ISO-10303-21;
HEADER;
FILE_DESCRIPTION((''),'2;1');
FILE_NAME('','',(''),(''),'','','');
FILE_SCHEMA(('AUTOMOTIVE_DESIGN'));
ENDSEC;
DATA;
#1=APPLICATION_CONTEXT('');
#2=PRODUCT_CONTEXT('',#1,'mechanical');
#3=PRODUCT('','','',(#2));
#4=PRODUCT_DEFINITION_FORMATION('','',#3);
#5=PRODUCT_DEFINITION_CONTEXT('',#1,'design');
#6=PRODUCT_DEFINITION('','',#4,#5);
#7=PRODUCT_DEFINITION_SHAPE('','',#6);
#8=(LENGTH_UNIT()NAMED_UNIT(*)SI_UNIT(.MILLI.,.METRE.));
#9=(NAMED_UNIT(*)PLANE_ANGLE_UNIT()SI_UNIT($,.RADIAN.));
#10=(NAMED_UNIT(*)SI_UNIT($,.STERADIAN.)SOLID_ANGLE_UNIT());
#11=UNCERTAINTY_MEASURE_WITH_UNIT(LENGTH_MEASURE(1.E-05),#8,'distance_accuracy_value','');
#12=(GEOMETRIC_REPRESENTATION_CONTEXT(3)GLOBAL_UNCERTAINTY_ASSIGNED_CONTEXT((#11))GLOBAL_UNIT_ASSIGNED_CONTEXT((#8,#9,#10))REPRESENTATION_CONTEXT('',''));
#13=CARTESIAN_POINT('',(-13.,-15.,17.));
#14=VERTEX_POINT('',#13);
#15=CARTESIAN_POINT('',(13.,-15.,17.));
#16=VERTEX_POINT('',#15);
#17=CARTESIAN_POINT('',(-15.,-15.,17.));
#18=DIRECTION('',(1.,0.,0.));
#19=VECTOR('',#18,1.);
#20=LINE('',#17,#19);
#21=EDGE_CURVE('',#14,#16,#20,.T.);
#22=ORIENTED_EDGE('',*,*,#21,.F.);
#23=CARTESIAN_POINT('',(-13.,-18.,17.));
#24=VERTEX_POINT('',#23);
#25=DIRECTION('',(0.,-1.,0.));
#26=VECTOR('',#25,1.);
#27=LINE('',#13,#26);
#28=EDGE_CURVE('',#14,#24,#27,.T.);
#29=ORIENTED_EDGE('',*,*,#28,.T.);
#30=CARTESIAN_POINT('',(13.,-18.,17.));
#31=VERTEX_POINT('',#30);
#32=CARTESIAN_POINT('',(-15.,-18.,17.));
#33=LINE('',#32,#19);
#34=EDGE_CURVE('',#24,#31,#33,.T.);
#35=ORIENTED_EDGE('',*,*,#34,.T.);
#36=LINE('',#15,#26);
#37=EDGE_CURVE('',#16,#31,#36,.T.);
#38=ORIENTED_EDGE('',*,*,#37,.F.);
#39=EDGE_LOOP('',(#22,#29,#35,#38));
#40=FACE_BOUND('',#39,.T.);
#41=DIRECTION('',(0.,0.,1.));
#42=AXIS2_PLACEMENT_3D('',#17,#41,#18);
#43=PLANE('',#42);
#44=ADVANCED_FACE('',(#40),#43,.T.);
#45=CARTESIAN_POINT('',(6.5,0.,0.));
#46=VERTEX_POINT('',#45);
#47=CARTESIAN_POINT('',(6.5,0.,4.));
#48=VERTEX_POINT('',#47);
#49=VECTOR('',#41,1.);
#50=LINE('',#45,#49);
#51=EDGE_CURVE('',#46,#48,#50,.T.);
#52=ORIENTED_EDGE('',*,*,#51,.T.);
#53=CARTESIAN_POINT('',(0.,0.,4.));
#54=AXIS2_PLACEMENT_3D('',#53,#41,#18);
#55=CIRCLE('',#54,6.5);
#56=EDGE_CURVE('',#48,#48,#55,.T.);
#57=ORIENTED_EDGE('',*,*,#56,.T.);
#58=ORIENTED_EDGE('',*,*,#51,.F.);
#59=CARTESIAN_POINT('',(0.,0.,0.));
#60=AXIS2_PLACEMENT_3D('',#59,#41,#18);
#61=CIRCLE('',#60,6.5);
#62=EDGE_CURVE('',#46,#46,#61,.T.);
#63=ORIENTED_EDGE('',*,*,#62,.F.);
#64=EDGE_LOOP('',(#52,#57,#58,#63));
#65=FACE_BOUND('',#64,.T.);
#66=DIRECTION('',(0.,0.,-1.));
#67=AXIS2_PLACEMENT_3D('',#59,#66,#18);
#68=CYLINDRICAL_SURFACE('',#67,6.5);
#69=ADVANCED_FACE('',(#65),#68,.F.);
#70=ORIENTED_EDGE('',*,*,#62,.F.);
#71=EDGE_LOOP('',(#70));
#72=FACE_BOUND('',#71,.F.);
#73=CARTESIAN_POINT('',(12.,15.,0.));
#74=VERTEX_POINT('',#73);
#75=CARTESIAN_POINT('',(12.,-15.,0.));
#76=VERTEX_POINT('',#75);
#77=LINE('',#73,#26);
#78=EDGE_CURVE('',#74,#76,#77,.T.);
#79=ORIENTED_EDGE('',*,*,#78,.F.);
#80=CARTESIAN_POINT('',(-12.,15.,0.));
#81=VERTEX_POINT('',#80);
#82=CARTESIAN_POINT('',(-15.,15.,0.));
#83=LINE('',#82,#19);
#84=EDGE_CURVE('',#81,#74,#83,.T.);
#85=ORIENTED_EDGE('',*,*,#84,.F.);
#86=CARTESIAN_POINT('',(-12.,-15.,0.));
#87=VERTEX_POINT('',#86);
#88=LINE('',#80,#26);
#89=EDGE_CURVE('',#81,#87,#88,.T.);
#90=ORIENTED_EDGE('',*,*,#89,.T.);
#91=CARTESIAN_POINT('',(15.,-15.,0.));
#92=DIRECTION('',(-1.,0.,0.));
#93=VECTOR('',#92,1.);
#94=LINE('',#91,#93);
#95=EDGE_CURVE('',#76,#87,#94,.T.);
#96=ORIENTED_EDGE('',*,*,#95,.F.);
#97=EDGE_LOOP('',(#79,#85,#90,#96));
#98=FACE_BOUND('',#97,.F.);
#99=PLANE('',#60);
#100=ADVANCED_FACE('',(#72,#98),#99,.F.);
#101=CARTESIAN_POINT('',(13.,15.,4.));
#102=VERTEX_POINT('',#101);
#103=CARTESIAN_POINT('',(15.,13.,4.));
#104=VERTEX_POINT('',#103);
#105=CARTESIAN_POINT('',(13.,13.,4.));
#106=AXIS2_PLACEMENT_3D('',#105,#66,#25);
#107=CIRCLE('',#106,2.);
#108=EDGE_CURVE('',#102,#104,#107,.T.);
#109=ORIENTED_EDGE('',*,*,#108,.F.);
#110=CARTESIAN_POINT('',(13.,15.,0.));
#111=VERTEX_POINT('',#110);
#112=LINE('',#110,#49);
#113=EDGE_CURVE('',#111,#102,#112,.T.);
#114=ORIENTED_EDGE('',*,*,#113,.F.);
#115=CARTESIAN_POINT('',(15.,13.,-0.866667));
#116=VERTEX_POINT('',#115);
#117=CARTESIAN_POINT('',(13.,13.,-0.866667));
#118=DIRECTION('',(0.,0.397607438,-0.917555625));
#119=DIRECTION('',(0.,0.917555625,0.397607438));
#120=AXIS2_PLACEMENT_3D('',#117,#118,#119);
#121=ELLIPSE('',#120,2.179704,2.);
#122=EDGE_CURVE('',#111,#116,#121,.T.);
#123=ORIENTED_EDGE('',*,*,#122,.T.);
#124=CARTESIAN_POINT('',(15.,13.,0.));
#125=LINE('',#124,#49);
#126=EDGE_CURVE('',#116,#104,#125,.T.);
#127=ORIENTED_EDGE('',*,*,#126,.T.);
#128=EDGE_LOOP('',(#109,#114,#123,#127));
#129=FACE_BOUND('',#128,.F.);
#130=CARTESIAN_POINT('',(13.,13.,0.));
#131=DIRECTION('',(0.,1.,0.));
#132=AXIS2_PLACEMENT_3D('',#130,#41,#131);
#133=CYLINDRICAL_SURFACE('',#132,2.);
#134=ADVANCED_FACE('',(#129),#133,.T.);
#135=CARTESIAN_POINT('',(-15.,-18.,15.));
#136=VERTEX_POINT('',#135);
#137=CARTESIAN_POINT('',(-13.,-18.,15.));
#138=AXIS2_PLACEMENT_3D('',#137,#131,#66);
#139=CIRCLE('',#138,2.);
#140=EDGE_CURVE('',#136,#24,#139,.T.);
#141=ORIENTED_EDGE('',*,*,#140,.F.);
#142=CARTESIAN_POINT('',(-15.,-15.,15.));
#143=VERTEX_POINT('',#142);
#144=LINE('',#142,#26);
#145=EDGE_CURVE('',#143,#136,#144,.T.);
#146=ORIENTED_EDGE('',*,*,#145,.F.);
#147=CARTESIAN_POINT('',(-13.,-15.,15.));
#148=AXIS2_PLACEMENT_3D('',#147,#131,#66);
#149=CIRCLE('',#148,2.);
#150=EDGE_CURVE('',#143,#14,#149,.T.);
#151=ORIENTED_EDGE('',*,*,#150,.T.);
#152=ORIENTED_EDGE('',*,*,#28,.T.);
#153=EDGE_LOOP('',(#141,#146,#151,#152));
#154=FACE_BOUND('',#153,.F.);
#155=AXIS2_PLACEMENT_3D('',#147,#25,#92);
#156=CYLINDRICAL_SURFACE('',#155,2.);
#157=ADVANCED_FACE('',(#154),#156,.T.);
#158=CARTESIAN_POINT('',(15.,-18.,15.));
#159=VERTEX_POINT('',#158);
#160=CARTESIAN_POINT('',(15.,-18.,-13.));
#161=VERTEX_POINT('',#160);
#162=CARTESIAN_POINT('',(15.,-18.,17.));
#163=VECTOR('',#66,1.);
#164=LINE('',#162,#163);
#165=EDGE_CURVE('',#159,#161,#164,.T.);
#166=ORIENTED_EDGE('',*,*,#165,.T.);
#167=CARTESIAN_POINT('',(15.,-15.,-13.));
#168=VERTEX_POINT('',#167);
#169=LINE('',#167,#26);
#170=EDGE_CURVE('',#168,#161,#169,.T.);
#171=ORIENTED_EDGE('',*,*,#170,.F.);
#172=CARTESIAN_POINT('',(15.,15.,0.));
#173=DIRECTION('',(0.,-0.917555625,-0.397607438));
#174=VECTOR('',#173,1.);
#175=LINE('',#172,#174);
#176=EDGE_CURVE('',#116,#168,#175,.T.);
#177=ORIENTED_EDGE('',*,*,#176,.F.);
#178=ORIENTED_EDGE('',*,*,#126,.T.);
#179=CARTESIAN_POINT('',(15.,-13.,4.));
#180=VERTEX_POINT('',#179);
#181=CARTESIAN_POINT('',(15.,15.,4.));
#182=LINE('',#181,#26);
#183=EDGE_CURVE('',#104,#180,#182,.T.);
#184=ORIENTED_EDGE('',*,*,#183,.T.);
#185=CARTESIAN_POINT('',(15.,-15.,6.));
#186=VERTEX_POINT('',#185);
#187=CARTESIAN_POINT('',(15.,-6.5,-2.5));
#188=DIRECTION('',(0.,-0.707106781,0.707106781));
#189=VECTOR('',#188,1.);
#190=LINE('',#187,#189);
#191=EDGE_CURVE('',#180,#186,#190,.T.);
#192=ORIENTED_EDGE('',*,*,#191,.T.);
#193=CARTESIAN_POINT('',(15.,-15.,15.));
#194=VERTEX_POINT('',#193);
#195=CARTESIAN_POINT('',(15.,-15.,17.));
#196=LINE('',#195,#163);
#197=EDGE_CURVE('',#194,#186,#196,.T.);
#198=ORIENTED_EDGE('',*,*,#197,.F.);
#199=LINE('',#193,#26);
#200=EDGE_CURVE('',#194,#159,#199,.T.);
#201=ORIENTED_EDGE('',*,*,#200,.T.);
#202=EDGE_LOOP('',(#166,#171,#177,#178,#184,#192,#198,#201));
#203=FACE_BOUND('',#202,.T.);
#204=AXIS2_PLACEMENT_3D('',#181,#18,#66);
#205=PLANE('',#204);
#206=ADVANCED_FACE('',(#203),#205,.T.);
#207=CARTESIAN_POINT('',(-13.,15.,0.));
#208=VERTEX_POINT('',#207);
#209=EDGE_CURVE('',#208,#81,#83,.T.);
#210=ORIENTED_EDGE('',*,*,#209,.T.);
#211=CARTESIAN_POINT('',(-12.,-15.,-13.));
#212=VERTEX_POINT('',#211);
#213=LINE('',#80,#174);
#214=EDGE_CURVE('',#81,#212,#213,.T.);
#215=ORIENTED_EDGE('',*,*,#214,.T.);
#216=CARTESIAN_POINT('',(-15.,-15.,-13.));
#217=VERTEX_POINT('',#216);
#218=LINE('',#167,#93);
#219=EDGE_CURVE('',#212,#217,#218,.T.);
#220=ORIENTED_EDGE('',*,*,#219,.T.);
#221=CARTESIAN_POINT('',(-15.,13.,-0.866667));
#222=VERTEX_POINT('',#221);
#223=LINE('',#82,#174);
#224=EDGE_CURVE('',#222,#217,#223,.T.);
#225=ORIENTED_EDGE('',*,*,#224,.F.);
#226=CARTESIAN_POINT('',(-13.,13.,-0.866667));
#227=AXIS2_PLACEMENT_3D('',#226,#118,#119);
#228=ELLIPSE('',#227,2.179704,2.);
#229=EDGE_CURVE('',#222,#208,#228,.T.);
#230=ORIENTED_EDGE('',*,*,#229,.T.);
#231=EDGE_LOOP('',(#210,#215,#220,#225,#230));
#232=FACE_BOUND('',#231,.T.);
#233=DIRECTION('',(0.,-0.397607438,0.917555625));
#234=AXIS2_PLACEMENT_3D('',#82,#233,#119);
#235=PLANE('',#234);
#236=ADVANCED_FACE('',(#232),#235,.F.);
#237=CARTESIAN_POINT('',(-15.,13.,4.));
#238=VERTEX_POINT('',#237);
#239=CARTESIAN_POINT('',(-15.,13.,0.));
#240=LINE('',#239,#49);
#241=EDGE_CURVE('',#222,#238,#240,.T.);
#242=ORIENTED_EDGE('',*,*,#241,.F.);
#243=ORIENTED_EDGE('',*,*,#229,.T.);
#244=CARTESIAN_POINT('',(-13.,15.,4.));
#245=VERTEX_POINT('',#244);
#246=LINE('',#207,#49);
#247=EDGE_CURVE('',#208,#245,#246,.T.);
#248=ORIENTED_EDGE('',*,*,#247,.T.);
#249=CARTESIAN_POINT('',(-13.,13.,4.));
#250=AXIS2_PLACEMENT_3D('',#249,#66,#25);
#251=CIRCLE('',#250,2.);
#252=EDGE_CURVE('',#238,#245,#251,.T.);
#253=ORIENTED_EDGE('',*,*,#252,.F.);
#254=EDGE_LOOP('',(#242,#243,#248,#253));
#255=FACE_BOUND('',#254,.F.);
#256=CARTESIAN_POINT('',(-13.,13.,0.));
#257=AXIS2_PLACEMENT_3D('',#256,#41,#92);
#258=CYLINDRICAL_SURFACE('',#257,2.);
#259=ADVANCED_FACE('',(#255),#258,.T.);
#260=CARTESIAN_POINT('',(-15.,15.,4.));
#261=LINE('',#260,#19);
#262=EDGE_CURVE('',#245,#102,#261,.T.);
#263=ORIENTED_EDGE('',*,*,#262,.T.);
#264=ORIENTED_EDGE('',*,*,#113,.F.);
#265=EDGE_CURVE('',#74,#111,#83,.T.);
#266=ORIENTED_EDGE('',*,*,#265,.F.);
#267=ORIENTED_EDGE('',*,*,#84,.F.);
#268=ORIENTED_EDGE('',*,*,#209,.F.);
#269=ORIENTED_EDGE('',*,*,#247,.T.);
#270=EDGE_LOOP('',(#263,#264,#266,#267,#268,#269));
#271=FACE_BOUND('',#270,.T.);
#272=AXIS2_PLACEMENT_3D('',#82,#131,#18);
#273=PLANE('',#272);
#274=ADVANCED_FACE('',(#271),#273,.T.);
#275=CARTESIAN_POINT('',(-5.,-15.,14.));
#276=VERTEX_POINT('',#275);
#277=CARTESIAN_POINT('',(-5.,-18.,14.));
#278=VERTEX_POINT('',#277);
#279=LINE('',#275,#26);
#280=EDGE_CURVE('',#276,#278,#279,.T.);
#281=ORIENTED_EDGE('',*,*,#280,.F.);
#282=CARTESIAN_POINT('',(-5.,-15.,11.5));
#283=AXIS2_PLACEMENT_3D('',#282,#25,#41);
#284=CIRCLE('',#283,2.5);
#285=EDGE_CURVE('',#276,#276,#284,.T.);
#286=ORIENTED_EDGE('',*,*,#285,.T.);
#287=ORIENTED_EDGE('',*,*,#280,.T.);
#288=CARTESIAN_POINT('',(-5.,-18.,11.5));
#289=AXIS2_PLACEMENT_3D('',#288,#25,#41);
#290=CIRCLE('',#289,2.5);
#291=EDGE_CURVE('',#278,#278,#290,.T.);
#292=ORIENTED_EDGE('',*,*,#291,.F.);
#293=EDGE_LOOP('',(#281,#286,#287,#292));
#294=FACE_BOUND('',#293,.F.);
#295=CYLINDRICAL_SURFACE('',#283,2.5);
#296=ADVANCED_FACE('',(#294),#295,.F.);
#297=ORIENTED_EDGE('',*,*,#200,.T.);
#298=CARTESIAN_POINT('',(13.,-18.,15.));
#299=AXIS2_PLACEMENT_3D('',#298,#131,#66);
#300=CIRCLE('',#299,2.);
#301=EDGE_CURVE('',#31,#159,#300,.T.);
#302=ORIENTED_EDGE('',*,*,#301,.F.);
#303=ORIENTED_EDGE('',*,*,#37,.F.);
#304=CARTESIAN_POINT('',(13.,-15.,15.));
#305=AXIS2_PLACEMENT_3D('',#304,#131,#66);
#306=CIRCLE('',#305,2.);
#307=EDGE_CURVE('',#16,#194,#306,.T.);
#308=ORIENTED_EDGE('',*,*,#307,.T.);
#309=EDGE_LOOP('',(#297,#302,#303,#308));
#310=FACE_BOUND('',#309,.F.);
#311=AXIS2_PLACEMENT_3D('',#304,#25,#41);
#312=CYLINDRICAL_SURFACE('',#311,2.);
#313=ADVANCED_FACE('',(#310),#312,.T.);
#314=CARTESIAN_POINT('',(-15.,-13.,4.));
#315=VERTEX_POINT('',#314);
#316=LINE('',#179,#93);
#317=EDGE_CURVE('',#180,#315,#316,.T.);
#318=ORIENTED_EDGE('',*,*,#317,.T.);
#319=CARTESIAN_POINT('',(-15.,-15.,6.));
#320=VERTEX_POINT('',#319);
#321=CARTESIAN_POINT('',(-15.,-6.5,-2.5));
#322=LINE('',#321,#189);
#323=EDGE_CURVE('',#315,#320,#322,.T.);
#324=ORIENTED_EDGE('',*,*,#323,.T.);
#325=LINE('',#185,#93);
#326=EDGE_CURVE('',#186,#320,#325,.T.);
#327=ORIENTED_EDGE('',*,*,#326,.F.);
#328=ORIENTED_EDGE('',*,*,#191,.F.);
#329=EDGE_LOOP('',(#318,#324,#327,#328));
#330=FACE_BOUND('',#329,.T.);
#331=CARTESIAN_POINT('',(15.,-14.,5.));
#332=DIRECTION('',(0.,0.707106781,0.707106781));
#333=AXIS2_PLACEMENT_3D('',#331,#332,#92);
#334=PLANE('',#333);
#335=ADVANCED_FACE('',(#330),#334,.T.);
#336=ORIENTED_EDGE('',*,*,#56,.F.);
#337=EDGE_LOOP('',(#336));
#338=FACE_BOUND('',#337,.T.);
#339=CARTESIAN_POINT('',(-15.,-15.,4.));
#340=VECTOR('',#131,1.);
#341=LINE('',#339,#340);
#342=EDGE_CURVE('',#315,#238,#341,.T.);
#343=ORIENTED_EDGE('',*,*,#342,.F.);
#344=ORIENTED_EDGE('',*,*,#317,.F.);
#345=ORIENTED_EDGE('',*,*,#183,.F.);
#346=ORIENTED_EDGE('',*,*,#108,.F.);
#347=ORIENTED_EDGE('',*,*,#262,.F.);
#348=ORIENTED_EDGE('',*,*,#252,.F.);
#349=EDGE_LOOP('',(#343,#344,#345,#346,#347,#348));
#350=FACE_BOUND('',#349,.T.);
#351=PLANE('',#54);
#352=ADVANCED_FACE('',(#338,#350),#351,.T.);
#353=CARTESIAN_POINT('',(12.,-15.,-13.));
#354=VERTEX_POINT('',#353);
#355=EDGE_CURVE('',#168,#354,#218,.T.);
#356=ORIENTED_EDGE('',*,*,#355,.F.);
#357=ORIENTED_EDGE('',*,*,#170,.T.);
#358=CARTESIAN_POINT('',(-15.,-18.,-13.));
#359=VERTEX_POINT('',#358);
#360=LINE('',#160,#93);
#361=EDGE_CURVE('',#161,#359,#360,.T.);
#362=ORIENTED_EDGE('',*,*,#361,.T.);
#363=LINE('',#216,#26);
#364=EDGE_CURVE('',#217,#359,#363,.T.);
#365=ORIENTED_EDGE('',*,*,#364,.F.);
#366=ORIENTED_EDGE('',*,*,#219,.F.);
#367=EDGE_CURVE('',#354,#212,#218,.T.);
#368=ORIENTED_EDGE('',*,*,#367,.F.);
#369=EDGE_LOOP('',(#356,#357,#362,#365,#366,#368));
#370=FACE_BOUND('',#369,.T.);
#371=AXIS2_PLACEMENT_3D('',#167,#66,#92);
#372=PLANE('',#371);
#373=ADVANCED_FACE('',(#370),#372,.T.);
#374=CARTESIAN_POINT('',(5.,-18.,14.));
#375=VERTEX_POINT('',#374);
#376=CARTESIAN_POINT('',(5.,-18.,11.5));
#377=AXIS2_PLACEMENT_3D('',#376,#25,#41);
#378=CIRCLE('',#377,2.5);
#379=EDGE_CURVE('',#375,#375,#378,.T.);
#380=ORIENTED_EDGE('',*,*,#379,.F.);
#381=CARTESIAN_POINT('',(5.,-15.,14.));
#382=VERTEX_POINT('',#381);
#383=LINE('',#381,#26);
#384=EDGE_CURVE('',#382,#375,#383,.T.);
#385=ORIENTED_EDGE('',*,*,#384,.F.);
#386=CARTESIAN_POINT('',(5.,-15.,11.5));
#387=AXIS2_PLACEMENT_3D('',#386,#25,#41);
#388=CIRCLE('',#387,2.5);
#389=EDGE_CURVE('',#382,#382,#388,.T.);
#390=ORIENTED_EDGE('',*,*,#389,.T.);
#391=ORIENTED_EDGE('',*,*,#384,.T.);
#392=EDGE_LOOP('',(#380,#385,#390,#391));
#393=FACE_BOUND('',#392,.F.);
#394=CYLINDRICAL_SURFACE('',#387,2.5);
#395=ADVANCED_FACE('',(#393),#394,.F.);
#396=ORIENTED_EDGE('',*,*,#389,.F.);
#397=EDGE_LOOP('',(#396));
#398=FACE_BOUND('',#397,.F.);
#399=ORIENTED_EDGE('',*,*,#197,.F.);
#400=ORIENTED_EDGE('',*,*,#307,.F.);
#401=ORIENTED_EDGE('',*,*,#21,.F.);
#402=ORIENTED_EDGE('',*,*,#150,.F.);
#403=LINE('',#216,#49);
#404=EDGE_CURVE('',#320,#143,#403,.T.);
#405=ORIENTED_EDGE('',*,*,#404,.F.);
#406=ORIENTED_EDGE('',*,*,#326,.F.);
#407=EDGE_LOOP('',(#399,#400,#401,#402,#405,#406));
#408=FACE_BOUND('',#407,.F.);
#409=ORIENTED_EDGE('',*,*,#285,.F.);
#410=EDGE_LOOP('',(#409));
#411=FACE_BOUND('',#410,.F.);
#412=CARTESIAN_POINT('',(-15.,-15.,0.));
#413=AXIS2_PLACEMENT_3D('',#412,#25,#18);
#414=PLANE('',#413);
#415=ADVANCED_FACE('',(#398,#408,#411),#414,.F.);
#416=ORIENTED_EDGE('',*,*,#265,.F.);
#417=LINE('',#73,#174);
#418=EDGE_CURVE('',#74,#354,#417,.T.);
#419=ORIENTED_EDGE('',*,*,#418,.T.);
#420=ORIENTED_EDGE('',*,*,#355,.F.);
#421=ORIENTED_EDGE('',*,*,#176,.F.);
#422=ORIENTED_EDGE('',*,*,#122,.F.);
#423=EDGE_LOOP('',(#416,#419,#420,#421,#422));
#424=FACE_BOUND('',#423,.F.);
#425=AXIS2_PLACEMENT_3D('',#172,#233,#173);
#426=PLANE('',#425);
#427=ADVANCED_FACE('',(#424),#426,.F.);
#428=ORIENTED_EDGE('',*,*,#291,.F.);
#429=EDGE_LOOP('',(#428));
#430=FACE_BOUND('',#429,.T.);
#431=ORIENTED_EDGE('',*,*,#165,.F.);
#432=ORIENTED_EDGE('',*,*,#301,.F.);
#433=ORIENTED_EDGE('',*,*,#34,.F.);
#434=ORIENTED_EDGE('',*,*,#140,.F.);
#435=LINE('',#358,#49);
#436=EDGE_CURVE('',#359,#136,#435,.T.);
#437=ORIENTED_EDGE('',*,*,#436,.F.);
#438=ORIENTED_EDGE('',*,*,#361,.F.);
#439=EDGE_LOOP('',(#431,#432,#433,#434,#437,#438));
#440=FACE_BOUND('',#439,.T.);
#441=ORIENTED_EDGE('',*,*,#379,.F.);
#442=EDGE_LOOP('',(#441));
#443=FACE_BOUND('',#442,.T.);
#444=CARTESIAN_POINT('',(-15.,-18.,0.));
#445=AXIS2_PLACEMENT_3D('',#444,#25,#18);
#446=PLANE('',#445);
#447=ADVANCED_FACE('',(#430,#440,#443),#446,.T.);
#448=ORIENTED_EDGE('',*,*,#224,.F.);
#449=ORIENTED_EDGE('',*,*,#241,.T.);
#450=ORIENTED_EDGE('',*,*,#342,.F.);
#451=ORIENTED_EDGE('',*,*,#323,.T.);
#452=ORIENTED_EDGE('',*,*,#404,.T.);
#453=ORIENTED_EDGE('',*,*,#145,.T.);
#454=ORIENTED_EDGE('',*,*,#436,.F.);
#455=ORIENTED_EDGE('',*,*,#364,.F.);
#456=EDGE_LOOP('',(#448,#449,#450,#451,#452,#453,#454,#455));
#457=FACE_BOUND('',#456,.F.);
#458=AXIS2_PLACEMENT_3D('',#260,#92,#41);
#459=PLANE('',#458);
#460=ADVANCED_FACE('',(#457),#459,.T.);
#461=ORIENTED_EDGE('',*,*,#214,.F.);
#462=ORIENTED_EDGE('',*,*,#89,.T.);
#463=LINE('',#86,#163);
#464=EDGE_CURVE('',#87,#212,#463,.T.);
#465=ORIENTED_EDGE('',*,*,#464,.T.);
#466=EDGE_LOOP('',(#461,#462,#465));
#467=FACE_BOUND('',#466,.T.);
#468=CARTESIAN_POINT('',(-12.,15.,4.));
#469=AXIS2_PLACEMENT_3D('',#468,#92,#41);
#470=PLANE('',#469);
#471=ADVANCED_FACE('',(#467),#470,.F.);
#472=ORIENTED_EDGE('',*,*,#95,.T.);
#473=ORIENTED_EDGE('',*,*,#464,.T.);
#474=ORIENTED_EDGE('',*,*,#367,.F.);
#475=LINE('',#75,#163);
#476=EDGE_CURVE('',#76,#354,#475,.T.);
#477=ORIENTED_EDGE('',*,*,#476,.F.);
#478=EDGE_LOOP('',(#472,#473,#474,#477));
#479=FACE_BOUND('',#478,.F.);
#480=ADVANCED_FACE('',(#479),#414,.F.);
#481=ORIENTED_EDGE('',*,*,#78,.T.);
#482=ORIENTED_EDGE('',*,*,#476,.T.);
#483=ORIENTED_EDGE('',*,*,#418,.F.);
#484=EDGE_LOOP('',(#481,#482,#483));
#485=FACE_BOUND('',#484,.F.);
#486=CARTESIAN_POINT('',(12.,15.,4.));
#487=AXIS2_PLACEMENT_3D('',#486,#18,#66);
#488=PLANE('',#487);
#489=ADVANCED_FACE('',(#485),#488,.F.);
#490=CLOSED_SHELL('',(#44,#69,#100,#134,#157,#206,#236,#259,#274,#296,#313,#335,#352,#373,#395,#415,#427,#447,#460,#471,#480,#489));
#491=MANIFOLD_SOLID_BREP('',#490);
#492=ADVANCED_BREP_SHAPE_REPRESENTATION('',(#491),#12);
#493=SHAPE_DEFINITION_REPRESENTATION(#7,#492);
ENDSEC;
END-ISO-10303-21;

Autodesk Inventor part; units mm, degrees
ref_plane "YZ Plane" through (0, 0, 0) normal (1, 0, 0) x (0, 1, 0)
ref_plane "XZ Plane" through (0, 0, 0) normal (0, 1, 0) x (-1, 0, 0)
sketch "Sketch1" plane through (0, 0, 0) normal (0, 0, 1) x (1, 0, 0)
  line L0 (-15, 15) -> (15, 15)
  line L1 (15, 15) -> (15, -15)
  line L2 (15, -15) -> (-15, -15)
  line L3 (-15, -15) -> (-15, 15)
  line L4 (-15, 15) -> (15, -15) construction
  line L5 (15, 15) -> (-15, -15) construction
  circle A0 centre (0, 0) radius 6.5
  dimension "d0" = 30
  dimension "d1" = 30
  dimension "d2" = 13
extrude "Extrusion1" add sketch "Sketch1" along normal blind 4
sketch "Sketch2" plane through (-15, -15, 0) normal (0, -1, 0) x (1, 0, 0)
  line L0 (0, 17) -> (30, 17)
  line L1 (30, 17) -> (30, -13)
  line L2 (30, -13) -> (0, -13)
  line L3 (0, -13) -> (0, 17)
  line L4 (0, 17) -> (30, -13) construction
  line L5 (30, 17) -> (0, -13) construction
  point P0 (15, 0)
  point P1 (15, 2)
  dimension "d5" = 30
  dimension "d6" = 30
extrude "Extrusion2" add sketch "Sketch2" along normal blind 3
ref_plane "Work Plane1" through (0, 15, 4) normal (1, 0, 0) x (0, 0, -1)
sketch "Sketch3" plane through (15, 15, 4) normal (1, 0, 0) x (0, 0, -1)
  line L0 (-13, -33) -> (17, -33) projected
  line L1 (0.0291, -33) -> (0.0291, 0)
  line L2 (4, 0) -> (4, -30) projected
  line L3 (0.0291, 0) -> (4, 0)
  line L4 (4, -30) -> (17, -30) projected
  line L5 (4, 0) -> (17, -30)
  line L6 (17, -30) -> (17, -33) projected
  line L7 (17, -30) -> (17, -33)
  line L8 (17, -33) -> (0.0291, -33)
  point P0 (4, -15)
extrude "Extrusion3" add sketch "Sketch3" against normal blind 3 contours L4 L2 L5
mirror "Mirror1" about plane through (0, 15, 4) normal (1, 0, 0) of "Extrusion3"
chamfer "Chamfer1" distance 2 angle 45 1 edges at (0, -15, 4)
sketch "Sketch4" plane through (-15, -15, 0) normal (0, 1, 0) x (1, 0, 0)
  line L0 (0, -17) -> (30, -17) projected
  line L1 (0, -6) -> (0, -17) projected
  point P0 (15, 0)
  point P1 (10, -11.5)
  point P2 (20, -11.5)
  dimension "d15" = 5.5
  dimension "d16" = 10
  dimension "d25" = 5.5
  dimension "d26" = 20
hole "Hole1" at (-5, -15, 11.5) at (5, -15, 11.5) direction (0, -1, 0) diameter 5 end through all
fillet "Fillet1" radius 2 4 edges at (-15, 15, 2) (15, 15, 2) (15, -16.5, 17) (-15, -16.5, 17)
properties part number "Eletronica - plug12V"
